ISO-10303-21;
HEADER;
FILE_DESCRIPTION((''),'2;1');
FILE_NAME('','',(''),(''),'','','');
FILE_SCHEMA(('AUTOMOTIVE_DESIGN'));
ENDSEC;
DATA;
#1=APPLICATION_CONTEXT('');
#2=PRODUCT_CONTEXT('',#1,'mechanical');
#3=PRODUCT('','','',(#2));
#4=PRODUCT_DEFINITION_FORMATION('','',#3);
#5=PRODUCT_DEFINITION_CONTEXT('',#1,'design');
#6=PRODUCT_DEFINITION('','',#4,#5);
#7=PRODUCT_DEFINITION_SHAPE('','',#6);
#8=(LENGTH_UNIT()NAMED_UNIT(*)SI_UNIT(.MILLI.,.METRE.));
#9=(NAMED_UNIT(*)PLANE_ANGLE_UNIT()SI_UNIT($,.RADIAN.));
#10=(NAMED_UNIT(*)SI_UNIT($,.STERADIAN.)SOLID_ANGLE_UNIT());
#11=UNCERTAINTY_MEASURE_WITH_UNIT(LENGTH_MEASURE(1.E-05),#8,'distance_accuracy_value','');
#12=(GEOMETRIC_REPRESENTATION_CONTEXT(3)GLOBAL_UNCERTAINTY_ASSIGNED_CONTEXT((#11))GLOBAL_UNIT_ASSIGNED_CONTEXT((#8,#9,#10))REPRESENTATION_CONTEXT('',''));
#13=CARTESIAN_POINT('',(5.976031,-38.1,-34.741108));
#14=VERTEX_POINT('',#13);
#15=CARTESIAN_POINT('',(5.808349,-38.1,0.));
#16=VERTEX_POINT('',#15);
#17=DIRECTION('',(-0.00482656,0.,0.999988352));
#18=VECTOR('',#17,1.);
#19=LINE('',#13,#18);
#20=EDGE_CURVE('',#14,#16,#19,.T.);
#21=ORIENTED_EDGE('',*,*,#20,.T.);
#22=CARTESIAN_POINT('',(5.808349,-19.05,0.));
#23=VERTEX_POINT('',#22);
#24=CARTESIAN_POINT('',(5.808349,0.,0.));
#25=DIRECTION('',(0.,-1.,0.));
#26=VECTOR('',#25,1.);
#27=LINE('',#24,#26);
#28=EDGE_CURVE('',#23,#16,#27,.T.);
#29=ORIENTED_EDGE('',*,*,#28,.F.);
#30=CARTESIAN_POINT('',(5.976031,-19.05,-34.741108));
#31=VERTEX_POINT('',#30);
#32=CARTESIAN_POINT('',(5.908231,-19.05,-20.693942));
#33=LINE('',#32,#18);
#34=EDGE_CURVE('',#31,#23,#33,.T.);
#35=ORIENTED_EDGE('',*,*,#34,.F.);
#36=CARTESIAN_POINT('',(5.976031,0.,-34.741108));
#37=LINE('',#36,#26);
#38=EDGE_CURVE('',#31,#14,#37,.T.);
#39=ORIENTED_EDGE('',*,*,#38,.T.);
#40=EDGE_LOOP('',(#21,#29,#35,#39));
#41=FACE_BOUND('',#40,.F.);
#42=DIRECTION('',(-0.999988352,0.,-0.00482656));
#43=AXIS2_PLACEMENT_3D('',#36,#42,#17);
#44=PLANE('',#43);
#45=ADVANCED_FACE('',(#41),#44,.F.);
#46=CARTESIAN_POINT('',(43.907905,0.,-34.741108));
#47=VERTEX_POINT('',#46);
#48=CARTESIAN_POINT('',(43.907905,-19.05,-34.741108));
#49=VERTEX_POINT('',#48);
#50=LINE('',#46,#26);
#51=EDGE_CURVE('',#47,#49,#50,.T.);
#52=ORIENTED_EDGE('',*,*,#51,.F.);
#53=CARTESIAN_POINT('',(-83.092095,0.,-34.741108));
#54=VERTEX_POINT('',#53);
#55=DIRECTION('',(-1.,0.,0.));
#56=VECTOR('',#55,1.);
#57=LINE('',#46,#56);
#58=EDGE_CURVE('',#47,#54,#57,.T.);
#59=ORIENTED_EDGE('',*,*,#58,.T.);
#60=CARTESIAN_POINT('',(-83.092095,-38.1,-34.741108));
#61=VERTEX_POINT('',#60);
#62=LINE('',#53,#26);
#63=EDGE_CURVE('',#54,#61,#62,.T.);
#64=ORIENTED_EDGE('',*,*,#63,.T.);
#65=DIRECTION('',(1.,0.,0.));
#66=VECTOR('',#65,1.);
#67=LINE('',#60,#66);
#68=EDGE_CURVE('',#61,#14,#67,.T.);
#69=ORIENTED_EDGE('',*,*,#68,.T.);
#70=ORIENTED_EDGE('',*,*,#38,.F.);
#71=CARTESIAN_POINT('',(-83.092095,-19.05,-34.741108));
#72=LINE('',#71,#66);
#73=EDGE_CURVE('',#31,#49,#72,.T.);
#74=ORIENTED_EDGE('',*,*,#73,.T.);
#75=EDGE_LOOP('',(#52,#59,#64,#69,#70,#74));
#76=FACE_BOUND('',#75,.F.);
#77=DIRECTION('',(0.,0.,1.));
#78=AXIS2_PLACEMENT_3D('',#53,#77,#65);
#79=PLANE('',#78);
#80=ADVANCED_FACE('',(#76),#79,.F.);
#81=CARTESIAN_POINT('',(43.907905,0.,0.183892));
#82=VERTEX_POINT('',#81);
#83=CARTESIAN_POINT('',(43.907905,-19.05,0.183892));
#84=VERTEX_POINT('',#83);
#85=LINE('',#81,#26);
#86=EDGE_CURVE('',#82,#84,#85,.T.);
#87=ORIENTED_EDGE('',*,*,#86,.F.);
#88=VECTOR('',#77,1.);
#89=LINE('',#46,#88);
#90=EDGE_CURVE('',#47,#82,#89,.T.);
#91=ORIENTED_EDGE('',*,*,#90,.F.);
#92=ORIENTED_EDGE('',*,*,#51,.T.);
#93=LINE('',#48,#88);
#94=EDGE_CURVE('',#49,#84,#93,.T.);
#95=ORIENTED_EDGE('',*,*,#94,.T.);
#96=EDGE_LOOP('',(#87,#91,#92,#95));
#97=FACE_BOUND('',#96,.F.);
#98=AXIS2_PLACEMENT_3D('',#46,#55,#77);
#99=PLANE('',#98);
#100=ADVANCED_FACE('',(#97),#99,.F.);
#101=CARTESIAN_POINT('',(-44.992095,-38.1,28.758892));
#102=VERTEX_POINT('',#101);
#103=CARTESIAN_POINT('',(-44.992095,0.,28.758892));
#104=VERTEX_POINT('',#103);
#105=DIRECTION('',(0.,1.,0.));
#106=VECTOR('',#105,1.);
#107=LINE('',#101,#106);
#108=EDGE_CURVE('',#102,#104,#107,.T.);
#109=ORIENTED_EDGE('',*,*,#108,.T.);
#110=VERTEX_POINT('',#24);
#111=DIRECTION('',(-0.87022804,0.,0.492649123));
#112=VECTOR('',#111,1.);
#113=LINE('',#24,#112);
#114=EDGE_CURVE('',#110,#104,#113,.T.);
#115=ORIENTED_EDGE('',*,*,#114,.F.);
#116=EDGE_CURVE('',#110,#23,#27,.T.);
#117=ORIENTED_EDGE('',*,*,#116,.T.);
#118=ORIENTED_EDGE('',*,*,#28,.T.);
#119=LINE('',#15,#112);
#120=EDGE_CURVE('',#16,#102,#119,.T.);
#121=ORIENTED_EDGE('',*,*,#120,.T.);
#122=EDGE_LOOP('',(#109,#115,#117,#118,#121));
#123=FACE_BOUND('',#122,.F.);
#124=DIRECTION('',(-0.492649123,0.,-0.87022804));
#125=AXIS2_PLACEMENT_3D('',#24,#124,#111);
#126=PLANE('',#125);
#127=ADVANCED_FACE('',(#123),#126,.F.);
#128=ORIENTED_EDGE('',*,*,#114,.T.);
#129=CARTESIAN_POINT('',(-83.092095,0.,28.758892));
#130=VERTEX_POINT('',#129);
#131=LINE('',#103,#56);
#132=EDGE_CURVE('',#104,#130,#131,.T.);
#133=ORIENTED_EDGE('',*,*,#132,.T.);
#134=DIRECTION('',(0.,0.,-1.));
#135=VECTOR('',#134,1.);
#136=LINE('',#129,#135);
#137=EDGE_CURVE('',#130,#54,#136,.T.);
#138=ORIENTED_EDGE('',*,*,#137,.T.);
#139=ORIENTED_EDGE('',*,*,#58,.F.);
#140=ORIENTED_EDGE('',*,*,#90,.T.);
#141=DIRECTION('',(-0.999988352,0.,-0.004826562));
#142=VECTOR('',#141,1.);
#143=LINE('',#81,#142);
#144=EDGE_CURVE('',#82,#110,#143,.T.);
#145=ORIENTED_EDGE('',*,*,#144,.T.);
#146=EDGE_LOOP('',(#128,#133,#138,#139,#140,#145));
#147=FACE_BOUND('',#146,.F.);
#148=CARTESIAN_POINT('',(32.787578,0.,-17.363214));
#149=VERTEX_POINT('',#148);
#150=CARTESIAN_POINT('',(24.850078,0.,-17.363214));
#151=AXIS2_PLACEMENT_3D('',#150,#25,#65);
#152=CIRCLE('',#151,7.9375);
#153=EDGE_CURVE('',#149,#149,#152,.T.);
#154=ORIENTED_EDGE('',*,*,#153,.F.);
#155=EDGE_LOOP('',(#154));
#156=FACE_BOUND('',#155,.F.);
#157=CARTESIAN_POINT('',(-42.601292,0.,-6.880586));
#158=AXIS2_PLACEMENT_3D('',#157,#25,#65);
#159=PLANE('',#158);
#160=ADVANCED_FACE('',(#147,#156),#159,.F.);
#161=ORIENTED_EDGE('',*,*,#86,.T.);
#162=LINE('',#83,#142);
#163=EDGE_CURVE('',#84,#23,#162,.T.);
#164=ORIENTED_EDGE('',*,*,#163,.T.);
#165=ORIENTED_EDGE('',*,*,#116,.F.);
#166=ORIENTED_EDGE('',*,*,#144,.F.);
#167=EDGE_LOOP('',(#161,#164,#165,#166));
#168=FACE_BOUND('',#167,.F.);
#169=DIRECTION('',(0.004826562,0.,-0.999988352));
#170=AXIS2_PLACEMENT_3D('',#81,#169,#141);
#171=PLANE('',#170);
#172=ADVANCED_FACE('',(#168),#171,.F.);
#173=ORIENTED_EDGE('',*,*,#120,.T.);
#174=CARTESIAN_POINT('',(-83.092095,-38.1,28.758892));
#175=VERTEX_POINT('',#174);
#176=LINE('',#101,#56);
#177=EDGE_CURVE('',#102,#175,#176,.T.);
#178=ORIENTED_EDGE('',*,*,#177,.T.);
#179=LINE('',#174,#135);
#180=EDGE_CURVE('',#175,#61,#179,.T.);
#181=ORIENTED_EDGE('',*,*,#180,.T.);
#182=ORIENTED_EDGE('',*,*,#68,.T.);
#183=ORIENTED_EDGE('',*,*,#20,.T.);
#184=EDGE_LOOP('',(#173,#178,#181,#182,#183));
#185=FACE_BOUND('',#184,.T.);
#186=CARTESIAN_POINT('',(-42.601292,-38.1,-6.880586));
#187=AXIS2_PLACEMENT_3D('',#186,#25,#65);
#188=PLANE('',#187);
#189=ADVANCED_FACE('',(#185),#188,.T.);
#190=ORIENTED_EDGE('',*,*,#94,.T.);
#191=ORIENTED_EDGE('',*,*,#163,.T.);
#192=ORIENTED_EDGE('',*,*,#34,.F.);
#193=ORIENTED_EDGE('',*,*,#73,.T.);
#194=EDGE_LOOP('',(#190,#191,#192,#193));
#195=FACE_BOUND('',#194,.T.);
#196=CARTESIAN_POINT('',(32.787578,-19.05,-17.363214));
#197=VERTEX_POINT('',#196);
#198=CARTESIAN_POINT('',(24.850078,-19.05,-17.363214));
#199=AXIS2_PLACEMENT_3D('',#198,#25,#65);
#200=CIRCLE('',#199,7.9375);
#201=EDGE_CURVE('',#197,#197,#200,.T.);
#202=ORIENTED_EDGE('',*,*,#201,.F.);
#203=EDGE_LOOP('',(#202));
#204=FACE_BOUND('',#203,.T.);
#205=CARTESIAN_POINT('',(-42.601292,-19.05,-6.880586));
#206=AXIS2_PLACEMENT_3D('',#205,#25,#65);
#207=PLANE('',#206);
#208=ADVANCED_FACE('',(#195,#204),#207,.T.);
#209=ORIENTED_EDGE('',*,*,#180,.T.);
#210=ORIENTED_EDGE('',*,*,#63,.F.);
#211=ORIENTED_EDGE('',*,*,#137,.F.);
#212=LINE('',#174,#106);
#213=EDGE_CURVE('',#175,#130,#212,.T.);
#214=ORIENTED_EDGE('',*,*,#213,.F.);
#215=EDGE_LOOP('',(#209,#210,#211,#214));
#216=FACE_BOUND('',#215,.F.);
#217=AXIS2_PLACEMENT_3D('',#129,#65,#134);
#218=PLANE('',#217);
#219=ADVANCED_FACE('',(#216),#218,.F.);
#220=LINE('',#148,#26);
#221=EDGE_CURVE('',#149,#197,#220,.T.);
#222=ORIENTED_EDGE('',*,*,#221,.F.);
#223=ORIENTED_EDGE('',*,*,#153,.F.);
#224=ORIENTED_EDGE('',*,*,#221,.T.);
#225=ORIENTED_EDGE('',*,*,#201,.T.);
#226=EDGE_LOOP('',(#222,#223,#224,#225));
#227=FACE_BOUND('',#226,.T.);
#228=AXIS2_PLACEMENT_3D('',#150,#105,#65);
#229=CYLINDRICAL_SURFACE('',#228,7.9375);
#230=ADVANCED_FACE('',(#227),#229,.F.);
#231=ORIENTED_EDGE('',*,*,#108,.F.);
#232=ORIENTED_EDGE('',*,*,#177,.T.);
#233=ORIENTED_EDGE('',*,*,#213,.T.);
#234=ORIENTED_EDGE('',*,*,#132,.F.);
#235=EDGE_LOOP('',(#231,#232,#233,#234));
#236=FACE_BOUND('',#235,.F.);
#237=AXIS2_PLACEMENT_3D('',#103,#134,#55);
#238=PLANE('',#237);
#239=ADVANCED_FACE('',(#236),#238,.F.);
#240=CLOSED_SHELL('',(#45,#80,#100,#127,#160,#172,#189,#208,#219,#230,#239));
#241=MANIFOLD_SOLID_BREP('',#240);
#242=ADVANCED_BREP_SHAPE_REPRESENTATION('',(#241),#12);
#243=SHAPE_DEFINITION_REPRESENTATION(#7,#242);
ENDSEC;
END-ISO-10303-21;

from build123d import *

# Parameters (mm, degrees)
F1_DEPTH = 38.1
F0_R     = 7.9375
F2_DEPTH = 19.05


with BuildPart() as f1:
    # F0 (on Front) → F1 (new body)
    with BuildSketch(Plane.XZ):
        Polygon((-83.092095, 28.758892), (-83.092095, -34.741108), (5.976031, -34.741108), (5.808349, 0), (-44.992095, 28.758892), align=None)
    extrude(amount=F1_DEPTH)

    # F0 (on Front) → F2 (join)
    with BuildSketch(Plane.XZ):
        Polygon((-83.092095, 28.758892), (-83.092095, -34.741108), (5.976031, -34.741108), (5.808349, 0), (-44.992095, 28.758892), align=None)
        Polygon((5.808349, 0), (5.976031, -34.741108), (43.907905, -34.741108), (43.907905, 0.183892), align=None)
        with Locations((24.850078, -17.363214)):
            Circle(F0_R, mode=Mode.SUBTRACT)
    extrude(amount=F2_DEPTH)


solid = f1.part
